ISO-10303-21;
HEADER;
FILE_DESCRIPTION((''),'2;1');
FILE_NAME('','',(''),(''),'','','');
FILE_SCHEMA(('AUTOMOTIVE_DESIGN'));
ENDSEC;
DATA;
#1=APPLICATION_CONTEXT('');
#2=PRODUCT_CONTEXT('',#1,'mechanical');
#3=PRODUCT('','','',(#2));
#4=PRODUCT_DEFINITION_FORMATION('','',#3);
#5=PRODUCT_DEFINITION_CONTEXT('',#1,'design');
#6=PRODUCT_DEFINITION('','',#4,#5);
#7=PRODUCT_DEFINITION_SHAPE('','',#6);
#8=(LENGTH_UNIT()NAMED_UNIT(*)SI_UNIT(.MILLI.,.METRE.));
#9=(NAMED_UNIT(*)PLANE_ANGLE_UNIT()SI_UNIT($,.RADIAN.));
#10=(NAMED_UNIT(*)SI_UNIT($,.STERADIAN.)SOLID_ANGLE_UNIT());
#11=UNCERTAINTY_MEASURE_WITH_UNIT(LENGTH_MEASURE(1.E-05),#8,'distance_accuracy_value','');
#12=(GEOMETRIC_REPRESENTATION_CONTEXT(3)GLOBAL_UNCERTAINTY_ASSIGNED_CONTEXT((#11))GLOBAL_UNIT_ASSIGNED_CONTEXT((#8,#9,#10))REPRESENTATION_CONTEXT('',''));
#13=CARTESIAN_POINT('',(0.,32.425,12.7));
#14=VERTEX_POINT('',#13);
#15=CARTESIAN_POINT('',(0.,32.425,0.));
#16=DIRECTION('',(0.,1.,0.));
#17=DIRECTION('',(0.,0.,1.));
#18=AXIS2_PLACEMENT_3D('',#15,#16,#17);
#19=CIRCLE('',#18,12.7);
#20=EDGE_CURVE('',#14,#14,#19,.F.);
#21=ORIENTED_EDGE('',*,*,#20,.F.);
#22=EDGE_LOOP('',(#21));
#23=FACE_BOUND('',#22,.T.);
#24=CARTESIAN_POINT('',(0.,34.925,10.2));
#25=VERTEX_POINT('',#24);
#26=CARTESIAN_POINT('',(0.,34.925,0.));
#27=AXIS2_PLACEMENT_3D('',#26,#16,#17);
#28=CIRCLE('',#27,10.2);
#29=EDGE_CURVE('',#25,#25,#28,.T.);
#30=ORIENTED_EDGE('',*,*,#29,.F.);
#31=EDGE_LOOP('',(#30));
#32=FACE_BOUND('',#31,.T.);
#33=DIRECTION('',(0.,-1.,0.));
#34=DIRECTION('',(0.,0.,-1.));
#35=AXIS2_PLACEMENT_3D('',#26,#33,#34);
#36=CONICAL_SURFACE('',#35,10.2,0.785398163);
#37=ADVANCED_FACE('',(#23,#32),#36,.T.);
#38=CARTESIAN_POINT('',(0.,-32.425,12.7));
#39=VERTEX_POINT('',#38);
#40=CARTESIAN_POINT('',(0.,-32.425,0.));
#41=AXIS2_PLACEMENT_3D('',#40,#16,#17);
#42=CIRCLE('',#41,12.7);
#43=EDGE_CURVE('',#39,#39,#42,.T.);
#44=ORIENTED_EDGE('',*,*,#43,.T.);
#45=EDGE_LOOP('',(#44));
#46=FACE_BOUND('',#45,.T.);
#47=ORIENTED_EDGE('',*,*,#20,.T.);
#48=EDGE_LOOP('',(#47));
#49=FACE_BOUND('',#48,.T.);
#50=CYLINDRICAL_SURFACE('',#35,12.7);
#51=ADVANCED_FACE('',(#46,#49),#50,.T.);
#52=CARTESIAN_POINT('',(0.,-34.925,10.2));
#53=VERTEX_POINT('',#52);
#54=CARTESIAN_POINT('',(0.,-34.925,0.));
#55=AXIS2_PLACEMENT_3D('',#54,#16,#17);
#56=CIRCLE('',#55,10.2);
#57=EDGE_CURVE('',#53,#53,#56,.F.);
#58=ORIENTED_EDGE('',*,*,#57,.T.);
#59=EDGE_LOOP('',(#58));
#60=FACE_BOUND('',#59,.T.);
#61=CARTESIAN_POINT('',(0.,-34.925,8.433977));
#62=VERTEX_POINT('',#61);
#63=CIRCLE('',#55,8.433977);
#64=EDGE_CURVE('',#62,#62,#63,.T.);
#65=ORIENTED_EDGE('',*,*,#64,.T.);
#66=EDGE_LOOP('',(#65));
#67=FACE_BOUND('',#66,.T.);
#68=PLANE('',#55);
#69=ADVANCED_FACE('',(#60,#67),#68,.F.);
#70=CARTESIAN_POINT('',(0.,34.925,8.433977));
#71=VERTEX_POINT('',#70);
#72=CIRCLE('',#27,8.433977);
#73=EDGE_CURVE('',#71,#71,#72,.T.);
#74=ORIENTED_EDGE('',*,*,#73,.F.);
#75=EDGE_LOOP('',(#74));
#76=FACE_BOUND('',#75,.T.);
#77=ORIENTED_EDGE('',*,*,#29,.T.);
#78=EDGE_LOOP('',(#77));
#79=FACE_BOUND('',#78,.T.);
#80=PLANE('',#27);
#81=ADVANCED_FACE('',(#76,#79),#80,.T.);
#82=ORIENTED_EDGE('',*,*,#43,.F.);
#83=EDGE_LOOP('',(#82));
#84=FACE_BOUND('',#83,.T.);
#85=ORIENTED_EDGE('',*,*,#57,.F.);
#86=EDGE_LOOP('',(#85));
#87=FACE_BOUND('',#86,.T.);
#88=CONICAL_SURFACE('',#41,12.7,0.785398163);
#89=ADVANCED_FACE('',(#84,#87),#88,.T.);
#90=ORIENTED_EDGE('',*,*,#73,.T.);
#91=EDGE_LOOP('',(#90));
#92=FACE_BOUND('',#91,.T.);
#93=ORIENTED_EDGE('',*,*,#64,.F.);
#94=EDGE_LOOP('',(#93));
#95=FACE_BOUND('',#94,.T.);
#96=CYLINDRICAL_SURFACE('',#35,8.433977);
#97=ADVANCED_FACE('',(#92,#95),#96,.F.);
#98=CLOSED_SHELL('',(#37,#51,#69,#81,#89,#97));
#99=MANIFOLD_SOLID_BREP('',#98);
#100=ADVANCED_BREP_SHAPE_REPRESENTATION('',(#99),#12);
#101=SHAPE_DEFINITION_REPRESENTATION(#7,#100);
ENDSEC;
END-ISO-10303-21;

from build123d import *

# Parameters (mm, degrees)
SKETCH2_R           = 12.7
SKETCH2_R_2         = 8.433976834
BOSS_EXTRUDE1_DEPTH = 34.925
CHAMFER1_SIZE       = 2.5


with BuildPart() as part:
    # Sketch2 → Boss-Extrude1 (new, symmetric)
    with BuildSketch(Plane(origin=(0, 0, 0), x_dir=(1, 0, 0), z_dir=(0, 1, 0))):
        with Locations(Location((0, 0, 0), (0, 0, 270))):
            Circle(SKETCH2_R)
        with Locations(Location((0, 0, 0), (0, 0, 270))):
            Circle(SKETCH2_R_2, mode=Mode.SUBTRACT)
    extrude(amount=BOSS_EXTRUDE1_DEPTH, both=True)

    # Chamfer1
    chamfer1_edges = [part.edges().sort_by_distance(p)[0] for p in [
        (0, -34.925, -12.7),
        (0, 34.925, -12.7),
    ]]
    chamfer(chamfer1_edges, length=CHAMFER1_SIZE)


solid = part.part
